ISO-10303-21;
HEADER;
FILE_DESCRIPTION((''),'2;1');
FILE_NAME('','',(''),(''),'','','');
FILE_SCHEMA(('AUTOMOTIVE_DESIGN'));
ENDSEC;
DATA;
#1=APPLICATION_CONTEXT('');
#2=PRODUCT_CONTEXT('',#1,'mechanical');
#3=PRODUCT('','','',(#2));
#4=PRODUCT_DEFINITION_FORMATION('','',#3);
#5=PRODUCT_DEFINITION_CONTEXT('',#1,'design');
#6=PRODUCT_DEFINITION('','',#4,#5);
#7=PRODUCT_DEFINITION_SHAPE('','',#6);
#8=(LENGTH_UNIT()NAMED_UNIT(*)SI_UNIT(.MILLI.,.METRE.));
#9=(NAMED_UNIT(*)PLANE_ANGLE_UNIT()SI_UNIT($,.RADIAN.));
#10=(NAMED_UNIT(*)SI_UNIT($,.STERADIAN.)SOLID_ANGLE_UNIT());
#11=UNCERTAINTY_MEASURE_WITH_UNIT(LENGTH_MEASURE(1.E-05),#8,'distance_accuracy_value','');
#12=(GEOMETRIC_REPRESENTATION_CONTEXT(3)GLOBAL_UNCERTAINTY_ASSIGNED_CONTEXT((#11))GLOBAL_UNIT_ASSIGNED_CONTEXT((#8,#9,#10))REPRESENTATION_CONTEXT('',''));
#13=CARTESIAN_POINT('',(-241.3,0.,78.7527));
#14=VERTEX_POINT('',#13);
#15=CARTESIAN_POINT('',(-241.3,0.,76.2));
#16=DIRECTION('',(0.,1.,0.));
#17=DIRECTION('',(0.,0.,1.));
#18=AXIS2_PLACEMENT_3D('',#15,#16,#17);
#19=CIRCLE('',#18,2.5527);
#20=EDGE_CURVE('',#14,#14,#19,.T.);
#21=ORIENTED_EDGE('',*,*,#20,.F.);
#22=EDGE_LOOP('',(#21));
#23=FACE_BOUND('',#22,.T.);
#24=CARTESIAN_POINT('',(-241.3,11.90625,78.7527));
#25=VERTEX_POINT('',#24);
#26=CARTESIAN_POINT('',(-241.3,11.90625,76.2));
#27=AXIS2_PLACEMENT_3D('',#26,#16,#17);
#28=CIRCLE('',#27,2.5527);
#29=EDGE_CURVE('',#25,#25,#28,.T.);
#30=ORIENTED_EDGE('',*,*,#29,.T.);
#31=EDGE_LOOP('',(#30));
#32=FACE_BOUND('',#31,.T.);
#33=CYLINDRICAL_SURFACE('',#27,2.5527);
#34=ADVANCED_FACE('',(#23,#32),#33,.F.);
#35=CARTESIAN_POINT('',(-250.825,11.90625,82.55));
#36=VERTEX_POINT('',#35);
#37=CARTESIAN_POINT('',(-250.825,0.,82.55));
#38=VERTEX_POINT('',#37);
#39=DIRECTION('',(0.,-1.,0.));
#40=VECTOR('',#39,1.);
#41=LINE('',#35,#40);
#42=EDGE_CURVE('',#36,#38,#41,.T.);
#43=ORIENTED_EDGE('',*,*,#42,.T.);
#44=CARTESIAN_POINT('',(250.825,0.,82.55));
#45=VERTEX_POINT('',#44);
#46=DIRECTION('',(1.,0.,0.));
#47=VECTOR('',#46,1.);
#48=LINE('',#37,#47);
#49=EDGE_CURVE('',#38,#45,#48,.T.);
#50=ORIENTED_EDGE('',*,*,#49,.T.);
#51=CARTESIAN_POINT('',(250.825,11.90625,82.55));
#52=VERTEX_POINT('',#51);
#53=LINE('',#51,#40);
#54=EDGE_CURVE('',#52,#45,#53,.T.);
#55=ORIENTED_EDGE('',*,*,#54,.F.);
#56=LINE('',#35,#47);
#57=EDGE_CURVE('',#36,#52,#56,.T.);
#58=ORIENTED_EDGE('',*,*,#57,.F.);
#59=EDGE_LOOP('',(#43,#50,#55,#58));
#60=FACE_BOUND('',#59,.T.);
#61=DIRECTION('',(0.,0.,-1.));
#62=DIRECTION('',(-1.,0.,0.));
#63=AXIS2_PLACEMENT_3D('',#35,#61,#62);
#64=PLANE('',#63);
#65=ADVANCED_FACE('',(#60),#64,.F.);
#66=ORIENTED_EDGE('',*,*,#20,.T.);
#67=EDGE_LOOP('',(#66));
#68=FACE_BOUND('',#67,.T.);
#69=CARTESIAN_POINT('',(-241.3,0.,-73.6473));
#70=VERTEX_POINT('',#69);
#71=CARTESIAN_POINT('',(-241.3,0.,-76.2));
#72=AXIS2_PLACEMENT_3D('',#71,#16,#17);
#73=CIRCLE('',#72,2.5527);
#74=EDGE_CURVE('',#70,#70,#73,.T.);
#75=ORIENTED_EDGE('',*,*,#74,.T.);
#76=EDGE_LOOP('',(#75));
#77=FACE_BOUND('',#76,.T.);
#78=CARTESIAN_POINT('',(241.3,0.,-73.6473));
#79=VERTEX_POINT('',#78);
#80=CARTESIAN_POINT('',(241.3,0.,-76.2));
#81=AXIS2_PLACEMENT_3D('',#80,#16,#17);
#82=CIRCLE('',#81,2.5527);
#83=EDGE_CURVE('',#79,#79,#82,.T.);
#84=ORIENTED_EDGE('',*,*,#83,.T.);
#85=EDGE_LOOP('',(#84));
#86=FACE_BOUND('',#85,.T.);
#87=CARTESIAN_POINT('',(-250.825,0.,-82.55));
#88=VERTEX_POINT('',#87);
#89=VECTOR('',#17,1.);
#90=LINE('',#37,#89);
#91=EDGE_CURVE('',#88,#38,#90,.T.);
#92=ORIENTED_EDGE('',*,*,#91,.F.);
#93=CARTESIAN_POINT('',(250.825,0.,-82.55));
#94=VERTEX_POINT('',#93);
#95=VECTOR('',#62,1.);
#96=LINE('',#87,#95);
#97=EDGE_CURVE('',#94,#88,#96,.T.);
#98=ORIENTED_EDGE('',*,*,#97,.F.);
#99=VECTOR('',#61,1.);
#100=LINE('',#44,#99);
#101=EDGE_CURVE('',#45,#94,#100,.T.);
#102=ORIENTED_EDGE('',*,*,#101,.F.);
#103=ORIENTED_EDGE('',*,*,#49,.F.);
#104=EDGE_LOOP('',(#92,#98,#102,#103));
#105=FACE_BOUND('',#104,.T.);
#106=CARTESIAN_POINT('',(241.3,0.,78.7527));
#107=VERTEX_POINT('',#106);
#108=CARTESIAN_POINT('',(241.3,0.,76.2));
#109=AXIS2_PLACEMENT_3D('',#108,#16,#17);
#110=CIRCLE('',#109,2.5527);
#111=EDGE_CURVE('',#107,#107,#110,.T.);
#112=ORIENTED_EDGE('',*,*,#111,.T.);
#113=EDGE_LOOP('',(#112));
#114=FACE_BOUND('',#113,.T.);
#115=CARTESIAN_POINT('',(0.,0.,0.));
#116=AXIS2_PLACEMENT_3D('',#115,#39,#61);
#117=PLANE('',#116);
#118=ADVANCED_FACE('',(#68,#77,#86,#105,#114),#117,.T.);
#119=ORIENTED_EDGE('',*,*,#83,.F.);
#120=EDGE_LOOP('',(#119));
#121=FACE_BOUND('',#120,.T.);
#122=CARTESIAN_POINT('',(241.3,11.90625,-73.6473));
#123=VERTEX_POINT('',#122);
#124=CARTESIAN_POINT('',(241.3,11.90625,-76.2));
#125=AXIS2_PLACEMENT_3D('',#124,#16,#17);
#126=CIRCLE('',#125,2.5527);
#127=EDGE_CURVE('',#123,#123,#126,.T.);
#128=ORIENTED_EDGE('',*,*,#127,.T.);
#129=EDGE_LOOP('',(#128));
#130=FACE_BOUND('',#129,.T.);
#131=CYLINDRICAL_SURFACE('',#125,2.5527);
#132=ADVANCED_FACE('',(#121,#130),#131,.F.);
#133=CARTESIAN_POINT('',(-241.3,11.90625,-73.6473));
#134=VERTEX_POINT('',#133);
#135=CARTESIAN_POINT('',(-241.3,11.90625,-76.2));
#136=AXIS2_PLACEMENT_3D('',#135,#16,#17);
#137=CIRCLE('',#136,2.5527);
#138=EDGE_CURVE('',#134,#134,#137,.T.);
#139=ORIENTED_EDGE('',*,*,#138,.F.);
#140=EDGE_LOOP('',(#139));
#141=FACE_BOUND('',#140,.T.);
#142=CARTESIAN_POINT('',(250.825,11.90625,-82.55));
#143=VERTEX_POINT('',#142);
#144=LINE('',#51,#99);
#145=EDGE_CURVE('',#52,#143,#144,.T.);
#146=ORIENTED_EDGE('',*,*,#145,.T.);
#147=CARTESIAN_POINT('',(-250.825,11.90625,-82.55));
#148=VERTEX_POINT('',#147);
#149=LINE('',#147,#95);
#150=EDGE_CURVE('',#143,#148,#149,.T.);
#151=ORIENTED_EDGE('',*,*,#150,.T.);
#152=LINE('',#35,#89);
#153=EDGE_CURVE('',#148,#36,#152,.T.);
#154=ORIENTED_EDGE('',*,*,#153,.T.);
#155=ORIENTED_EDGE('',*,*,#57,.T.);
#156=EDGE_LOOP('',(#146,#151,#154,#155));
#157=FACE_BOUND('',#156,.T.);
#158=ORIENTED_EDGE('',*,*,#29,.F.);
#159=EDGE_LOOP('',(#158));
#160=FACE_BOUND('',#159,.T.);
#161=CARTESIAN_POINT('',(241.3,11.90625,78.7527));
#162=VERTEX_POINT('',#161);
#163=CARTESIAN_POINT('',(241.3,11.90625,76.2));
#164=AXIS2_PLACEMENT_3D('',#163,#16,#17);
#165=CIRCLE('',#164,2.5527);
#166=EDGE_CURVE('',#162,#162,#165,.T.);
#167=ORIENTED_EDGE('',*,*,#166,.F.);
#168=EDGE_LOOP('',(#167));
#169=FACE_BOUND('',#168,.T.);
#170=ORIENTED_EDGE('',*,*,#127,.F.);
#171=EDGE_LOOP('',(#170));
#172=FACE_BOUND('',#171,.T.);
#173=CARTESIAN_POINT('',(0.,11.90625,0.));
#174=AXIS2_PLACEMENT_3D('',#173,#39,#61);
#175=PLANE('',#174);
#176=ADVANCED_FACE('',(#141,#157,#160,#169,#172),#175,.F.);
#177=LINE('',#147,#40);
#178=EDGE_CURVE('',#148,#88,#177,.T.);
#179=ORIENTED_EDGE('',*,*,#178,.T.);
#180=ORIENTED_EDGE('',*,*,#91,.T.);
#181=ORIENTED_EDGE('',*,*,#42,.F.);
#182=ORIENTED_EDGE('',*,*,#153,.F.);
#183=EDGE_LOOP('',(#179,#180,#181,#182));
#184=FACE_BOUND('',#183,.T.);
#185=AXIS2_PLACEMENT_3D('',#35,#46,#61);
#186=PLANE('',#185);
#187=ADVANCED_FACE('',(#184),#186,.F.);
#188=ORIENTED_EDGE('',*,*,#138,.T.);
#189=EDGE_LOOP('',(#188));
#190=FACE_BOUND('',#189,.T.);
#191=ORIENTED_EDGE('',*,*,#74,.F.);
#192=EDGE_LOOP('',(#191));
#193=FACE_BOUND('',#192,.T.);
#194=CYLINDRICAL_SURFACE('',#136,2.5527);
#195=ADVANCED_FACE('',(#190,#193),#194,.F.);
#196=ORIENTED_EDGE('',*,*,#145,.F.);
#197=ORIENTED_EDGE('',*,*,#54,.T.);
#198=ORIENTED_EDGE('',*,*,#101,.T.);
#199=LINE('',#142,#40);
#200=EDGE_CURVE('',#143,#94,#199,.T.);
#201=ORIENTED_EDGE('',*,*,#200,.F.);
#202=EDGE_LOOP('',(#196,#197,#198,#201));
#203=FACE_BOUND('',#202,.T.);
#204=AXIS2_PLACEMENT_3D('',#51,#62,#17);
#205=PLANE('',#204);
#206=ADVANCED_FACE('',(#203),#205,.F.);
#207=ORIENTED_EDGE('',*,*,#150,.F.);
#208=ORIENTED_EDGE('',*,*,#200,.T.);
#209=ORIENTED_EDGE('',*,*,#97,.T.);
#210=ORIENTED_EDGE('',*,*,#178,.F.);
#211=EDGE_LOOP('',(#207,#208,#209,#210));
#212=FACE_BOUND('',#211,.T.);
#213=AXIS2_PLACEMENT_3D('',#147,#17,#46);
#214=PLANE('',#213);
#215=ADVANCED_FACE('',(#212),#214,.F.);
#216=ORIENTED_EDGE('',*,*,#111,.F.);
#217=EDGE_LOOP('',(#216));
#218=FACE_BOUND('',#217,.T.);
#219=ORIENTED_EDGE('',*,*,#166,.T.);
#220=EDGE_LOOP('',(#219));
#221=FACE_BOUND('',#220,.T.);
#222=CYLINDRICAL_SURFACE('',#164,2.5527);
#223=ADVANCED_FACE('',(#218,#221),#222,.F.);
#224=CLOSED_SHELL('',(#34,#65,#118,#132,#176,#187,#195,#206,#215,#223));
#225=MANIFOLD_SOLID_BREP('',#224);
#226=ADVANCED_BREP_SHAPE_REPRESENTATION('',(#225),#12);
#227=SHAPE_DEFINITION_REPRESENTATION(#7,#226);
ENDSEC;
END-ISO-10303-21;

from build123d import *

# Parameters (mm, degrees)
SKETCH1_W                  = 501.65
SKETCH1_H                  = 165.1
BOSS_EXTRUDE1_DEPTH        = 11.90625
F_7_0_201_DIAMETER_HOLE1_D = 5.1054


with BuildPart() as part:
    # Sketch1 → Boss-Extrude1 (new body)
    with BuildSketch(Plane(origin=(0, 0, 0), x_dir=(1, 0, 0), z_dir=(0, 1, 0))):
        Rectangle(SKETCH1_W, SKETCH1_H)
    extrude(amount=BOSS_EXTRUDE1_DEPTH)

    # #7 (0.201) Diameter Hole1 (through all)
    with Locations(Plane(origin=(0, 11.90625, 0), x_dir=(1, 0, 0), z_dir=(0, 1, 0))):
        with Locations((-241.3, 76.2), (241.3, 76.2), (241.3, -76.2), (-241.3, -76.2)):
            Hole(F_7_0_201_DIAMETER_HOLE1_D / 2)


solid = part.part
